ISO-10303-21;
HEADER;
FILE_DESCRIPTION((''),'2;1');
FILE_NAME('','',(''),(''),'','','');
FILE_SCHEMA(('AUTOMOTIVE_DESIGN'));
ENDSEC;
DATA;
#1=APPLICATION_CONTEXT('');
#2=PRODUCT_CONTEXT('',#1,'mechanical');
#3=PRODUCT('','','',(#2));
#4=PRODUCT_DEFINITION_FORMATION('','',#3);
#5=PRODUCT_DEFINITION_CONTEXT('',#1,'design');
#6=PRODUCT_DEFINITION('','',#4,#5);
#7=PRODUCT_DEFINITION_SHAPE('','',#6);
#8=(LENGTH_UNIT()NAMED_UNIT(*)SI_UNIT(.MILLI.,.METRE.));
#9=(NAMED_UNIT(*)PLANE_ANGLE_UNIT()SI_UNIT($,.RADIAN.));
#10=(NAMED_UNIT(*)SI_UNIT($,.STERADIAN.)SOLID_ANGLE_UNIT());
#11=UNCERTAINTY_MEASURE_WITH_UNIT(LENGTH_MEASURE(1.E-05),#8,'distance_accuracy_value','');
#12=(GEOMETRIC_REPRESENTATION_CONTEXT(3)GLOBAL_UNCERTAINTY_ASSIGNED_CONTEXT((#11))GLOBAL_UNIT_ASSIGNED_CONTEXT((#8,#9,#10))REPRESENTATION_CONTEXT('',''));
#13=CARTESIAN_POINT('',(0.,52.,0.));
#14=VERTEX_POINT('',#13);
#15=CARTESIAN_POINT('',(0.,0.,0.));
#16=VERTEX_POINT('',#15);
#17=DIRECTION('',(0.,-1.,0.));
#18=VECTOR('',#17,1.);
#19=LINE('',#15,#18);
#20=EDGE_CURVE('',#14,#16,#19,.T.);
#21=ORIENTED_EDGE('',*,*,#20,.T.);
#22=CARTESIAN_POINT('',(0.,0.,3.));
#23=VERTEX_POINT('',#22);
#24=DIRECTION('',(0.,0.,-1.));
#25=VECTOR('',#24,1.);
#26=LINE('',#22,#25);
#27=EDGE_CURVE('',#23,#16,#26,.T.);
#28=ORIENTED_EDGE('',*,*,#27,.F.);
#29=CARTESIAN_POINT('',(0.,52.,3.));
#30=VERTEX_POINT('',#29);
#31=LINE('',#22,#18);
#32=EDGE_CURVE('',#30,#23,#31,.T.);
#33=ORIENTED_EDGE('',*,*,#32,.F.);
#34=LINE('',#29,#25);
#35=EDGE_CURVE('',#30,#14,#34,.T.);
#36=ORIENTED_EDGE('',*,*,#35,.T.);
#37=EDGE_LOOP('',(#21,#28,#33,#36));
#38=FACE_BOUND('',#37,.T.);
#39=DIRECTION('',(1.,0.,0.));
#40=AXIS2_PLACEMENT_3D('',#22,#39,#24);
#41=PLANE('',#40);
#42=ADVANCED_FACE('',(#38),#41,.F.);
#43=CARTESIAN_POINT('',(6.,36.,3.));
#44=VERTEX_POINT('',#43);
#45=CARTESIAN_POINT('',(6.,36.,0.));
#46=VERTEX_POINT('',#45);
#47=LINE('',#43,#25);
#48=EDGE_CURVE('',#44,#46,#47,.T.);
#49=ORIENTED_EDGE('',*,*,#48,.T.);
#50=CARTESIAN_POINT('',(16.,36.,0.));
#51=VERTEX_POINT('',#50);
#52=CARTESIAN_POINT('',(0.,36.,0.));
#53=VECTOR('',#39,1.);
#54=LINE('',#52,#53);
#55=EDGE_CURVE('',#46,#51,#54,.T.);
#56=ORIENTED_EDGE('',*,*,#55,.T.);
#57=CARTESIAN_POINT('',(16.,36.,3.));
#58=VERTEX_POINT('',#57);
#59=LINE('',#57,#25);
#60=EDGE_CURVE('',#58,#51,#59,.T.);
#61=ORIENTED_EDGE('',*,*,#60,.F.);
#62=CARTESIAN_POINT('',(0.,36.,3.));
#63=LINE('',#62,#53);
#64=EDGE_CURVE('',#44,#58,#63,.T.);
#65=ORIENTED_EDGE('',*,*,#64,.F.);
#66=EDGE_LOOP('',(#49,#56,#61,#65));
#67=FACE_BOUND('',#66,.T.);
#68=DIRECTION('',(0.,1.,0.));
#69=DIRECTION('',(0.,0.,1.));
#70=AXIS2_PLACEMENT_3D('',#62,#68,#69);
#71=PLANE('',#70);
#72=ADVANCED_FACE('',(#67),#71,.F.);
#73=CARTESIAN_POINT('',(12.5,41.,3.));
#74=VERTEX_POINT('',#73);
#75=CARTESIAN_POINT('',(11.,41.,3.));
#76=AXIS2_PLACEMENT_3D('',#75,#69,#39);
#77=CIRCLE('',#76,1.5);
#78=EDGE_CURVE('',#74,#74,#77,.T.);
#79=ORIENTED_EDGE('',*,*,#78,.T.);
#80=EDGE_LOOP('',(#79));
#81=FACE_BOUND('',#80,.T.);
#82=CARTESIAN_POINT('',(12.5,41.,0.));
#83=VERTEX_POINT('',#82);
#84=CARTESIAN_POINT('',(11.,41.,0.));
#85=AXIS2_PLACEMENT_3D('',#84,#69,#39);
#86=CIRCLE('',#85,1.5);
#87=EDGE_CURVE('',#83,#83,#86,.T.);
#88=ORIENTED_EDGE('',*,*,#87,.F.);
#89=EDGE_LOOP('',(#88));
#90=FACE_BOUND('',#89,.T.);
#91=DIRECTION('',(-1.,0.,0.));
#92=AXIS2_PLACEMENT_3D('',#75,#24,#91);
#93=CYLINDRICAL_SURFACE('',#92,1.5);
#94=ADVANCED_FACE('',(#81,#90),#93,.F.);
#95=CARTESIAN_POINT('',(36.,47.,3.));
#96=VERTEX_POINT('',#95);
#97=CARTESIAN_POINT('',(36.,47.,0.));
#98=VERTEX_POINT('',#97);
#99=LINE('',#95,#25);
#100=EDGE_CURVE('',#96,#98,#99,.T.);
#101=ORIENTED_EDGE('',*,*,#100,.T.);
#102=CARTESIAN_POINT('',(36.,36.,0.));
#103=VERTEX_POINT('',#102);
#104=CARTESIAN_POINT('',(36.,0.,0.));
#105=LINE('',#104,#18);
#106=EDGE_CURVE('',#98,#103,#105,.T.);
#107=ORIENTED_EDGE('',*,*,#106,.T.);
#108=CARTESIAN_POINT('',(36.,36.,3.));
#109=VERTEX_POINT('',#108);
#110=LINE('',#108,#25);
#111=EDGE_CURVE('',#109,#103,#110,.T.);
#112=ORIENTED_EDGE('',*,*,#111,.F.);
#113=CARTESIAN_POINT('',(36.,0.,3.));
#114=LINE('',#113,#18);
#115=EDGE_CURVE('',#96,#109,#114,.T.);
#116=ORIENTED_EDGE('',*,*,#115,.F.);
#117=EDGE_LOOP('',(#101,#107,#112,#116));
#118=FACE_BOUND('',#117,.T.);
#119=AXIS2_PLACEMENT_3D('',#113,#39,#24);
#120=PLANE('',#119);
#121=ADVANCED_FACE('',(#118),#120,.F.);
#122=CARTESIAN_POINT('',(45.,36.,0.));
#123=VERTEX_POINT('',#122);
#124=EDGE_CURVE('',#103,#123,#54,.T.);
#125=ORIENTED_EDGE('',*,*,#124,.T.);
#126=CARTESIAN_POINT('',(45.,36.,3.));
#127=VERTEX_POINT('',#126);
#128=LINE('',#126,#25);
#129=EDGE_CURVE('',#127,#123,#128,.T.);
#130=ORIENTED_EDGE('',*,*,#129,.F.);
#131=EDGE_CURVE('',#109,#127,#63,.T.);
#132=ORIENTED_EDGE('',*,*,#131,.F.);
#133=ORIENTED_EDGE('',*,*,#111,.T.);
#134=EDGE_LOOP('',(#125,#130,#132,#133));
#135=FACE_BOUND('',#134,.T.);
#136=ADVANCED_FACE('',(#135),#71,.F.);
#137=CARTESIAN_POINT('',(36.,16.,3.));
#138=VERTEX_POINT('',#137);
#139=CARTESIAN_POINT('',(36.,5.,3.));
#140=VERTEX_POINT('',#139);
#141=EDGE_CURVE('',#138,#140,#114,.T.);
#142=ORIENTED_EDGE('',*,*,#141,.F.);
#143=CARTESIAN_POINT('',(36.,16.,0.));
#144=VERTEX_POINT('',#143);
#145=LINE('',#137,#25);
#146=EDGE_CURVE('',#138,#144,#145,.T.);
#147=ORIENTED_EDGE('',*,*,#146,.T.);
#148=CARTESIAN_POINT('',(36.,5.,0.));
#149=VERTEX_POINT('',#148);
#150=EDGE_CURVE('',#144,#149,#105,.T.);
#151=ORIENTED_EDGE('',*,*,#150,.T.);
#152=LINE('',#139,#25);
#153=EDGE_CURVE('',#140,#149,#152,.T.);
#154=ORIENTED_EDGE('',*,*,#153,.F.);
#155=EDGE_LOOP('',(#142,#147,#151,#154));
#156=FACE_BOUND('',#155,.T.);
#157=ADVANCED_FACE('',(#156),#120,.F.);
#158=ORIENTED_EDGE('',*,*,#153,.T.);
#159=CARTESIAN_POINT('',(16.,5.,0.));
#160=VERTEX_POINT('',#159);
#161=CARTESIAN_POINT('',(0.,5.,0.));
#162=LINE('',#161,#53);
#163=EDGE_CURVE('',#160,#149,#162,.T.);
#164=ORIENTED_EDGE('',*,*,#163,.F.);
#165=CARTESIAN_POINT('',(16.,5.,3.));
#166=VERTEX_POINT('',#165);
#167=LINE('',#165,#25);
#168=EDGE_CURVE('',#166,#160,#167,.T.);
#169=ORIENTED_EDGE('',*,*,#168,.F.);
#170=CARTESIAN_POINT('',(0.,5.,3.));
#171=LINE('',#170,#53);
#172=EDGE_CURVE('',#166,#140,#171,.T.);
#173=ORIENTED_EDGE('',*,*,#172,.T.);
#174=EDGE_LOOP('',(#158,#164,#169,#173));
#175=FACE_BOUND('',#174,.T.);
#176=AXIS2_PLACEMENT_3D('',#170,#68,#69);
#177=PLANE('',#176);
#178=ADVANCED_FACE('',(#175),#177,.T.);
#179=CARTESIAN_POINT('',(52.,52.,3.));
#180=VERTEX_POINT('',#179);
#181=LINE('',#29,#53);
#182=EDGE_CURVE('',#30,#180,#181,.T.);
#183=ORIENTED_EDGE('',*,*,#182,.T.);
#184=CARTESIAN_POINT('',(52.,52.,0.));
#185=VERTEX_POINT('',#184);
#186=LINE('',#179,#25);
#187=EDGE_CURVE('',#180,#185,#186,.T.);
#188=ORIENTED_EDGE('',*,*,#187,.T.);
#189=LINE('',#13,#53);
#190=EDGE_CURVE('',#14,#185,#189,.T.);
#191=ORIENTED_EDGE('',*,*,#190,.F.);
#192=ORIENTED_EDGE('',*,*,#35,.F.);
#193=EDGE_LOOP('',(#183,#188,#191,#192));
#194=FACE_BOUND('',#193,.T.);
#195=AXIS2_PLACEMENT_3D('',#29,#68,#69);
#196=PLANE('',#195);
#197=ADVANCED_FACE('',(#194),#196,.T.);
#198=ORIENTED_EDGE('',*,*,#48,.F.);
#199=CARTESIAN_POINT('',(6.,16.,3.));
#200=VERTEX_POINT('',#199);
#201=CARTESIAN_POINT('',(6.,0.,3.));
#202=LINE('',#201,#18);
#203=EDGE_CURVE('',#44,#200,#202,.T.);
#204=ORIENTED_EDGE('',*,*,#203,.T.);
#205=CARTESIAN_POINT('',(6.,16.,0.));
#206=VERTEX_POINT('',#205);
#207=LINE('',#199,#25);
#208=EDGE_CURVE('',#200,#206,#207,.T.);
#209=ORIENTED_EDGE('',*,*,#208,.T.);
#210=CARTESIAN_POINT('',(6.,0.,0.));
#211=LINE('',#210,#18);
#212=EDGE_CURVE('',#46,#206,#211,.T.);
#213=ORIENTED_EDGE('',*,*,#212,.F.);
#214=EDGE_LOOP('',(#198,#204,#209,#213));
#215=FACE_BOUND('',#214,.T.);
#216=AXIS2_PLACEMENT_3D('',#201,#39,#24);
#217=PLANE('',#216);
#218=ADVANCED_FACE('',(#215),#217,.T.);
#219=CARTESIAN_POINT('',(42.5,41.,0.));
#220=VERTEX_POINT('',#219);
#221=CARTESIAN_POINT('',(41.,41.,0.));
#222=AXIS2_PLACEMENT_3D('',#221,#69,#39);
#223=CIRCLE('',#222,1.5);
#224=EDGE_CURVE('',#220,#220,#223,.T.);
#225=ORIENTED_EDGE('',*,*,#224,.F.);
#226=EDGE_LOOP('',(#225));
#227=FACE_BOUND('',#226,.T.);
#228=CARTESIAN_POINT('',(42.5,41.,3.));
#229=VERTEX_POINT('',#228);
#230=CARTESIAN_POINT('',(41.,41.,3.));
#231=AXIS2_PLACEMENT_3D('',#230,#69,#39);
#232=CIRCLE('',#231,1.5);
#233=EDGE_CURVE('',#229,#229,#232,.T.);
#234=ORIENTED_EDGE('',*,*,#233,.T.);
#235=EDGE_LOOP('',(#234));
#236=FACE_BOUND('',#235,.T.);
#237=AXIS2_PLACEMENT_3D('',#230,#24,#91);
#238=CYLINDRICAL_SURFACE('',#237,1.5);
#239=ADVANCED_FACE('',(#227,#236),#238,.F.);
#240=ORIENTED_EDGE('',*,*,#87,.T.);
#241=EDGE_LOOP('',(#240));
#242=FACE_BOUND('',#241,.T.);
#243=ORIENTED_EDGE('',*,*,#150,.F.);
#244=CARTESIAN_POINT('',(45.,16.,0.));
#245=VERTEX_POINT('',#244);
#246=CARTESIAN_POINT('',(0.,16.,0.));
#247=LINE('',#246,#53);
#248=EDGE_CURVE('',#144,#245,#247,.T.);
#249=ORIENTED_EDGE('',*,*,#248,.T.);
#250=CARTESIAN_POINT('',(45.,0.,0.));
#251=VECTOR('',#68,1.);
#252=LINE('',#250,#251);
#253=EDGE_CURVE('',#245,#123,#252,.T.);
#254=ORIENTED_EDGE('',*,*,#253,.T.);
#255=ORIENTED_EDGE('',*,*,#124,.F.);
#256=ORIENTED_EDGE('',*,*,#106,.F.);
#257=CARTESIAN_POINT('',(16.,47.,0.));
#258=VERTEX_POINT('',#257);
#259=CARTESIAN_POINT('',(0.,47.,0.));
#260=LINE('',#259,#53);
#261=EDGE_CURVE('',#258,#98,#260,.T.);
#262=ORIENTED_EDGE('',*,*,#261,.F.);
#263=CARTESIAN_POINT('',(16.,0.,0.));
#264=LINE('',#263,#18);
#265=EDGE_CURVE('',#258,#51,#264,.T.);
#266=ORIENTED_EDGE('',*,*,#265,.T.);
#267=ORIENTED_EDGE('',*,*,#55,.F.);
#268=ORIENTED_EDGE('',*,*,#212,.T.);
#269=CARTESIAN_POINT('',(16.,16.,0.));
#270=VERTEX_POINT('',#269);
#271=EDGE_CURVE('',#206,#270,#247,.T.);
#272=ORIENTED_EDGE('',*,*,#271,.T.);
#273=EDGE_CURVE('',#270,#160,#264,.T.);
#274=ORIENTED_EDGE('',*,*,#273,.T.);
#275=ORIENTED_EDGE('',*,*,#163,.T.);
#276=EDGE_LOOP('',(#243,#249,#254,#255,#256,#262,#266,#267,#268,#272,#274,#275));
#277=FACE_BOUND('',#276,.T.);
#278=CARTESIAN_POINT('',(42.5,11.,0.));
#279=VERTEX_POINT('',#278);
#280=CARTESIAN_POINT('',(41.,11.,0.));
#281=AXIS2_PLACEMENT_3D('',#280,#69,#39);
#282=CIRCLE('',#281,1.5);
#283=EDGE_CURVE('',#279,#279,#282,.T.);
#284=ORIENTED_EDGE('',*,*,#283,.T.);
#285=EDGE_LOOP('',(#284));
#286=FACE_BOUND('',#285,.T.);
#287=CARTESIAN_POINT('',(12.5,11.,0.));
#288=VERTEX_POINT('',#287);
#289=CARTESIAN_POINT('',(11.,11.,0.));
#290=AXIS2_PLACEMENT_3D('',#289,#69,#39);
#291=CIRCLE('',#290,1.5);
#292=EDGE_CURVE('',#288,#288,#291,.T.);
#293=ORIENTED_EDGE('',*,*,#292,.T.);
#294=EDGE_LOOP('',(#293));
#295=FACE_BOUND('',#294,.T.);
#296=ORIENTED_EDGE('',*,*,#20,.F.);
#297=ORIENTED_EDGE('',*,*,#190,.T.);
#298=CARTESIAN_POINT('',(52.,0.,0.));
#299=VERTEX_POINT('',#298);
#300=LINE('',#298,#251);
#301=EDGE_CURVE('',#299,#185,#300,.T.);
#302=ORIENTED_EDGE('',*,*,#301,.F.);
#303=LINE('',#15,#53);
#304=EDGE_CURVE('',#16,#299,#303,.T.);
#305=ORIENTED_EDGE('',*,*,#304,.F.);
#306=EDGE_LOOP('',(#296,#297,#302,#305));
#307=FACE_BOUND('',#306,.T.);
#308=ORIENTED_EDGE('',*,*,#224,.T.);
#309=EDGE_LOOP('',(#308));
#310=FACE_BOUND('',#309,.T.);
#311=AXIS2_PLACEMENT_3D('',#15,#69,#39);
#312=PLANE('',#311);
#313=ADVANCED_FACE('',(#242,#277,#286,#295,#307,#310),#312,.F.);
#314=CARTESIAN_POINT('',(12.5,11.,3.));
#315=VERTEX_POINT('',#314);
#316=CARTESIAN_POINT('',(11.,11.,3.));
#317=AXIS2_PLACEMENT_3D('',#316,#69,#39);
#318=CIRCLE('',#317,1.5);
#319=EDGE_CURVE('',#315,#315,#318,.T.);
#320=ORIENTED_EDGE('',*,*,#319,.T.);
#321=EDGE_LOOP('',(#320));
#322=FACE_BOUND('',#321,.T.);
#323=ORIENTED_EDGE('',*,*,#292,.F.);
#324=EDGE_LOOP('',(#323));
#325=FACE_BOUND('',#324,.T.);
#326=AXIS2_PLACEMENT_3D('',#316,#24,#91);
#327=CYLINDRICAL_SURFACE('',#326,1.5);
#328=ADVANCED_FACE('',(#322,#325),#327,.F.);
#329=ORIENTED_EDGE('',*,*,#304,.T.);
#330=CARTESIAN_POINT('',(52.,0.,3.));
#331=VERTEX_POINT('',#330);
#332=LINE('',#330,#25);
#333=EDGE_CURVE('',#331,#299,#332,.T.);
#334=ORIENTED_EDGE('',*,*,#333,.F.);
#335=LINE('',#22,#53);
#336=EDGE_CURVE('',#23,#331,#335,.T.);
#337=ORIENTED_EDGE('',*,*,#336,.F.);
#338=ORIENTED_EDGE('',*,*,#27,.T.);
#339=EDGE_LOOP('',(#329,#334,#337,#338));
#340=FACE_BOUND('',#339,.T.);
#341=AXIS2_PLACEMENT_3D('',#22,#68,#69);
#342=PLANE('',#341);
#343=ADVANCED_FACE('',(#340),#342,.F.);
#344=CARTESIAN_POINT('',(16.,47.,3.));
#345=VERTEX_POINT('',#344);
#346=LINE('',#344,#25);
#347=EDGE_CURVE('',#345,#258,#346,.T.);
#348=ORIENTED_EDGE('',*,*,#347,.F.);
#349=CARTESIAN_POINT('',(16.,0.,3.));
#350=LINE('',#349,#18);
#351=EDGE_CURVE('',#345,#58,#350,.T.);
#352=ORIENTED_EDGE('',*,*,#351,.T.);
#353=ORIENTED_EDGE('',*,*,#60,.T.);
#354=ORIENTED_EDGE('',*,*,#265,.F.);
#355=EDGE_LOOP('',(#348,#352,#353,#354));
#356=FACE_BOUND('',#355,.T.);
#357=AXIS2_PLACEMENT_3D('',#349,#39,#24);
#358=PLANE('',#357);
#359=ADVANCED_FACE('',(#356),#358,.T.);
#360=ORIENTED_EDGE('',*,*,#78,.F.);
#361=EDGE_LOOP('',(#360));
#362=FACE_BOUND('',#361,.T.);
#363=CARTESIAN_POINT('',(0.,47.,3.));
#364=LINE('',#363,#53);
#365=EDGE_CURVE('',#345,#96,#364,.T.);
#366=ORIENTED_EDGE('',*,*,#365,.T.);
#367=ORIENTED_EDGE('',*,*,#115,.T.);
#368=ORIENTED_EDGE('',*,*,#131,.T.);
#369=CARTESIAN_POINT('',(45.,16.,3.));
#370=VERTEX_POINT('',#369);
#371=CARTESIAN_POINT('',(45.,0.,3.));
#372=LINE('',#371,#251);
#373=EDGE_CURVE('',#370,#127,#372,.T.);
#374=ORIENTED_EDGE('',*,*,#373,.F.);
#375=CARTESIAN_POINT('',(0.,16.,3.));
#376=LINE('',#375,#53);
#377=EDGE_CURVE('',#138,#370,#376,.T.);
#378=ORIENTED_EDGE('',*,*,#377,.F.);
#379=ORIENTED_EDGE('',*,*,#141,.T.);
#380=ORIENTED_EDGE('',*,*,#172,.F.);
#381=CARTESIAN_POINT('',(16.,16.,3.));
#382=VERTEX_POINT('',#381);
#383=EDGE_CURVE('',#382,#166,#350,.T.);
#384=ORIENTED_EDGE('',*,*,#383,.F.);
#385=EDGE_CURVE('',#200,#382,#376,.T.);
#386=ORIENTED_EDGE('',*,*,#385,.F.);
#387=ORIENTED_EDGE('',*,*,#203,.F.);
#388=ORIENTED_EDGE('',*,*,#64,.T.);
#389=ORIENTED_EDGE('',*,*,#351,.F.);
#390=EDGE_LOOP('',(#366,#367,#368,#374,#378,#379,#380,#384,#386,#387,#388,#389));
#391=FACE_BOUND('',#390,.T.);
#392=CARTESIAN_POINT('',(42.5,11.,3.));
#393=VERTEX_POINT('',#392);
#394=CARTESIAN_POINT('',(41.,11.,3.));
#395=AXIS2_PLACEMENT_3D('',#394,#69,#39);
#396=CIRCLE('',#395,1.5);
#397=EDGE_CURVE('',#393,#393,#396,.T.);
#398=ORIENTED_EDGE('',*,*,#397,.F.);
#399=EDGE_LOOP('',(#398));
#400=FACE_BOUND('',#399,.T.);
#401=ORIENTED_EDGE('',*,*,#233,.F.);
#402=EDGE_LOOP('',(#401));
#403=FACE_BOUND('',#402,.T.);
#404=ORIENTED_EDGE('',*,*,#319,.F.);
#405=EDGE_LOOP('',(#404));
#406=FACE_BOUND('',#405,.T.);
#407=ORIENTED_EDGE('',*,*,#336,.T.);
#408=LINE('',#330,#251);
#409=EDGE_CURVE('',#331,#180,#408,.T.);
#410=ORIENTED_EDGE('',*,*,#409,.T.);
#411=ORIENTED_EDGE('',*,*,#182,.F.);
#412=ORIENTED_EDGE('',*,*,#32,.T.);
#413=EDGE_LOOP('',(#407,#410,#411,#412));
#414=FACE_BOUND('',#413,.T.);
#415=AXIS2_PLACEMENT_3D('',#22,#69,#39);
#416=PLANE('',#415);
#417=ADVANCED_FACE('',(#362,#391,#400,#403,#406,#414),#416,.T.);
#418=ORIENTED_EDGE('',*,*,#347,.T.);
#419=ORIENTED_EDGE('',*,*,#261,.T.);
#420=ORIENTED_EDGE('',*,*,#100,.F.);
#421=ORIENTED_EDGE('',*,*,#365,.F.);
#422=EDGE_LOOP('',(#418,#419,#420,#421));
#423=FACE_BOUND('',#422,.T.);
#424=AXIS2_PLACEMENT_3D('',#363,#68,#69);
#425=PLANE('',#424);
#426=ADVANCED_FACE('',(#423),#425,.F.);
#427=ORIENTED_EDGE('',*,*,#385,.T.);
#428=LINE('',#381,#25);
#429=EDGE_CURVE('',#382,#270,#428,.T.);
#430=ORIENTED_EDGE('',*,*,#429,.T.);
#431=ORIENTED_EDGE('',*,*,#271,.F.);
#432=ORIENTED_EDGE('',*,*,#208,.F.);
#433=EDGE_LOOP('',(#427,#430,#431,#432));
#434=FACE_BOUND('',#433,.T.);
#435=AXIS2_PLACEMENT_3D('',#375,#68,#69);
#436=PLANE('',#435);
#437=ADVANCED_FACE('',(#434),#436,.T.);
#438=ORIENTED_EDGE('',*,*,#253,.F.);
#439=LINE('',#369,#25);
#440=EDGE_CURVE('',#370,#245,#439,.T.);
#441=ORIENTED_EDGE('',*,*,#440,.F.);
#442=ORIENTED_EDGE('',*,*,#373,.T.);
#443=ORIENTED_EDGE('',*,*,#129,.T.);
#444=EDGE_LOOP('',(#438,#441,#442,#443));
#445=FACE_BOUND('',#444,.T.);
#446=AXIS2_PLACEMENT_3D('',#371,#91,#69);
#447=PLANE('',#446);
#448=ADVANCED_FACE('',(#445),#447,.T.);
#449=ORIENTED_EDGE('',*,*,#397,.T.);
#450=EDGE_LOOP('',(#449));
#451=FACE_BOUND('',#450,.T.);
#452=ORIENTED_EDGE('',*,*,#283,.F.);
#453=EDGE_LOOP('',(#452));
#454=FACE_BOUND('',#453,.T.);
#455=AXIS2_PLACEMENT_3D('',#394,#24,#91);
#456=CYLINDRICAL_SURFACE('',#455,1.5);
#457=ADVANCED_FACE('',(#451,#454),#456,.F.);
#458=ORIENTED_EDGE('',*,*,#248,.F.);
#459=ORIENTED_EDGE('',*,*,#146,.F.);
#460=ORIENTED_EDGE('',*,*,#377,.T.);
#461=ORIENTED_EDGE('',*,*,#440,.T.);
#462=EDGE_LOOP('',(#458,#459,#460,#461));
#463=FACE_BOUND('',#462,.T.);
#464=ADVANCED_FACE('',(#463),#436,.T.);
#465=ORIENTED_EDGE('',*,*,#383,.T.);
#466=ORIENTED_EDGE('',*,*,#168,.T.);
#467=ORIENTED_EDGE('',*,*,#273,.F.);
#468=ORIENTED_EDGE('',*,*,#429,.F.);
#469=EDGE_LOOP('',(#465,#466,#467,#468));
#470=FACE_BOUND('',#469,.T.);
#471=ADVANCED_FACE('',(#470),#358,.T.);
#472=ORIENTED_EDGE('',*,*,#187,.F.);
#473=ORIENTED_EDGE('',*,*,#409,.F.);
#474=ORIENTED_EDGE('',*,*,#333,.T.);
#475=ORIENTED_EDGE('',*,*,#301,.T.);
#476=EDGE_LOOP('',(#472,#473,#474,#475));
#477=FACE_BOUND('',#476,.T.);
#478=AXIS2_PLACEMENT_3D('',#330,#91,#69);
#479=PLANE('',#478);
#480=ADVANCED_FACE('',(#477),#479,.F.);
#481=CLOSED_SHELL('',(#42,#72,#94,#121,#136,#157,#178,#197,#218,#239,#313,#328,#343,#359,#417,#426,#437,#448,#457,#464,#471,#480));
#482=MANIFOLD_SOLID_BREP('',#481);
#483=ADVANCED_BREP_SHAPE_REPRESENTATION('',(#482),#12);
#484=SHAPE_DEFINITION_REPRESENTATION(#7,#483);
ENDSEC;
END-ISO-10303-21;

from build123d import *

# Parameters (mm, degrees)
MODEL_W                 = 52
MODEL_H                 = 52
MODEL_R                 = 1.5
SALIENTE_EXTRUIR1_DEPTH = 3


with BuildPart() as part:
    # Model → Saliente-Extruir1 (new body)
    with BuildSketch(Plane.XY):
        with Locations((26, 26)):
            Rectangle(MODEL_W, MODEL_H)
        with Locations((41, 41)):
            Circle(MODEL_R, mode=Mode.SUBTRACT)
        with Locations((41, 11)):
            Circle(MODEL_R, mode=Mode.SUBTRACT)
        with Locations((11, 11)):
            Circle(MODEL_R, mode=Mode.SUBTRACT)
        with Locations((11, 41)):
            Circle(MODEL_R, mode=Mode.SUBTRACT)
        Polygon((36, 16), (45, 16), (45, 36), (36, 36), (36, 47), (16, 47), (16, 36), (6, 36), (6, 16), (16, 16), (16, 5), (36, 5), align=None, mode=Mode.SUBTRACT)
    extrude(amount=SALIENTE_EXTRUIR1_DEPTH)


solid = part.part
